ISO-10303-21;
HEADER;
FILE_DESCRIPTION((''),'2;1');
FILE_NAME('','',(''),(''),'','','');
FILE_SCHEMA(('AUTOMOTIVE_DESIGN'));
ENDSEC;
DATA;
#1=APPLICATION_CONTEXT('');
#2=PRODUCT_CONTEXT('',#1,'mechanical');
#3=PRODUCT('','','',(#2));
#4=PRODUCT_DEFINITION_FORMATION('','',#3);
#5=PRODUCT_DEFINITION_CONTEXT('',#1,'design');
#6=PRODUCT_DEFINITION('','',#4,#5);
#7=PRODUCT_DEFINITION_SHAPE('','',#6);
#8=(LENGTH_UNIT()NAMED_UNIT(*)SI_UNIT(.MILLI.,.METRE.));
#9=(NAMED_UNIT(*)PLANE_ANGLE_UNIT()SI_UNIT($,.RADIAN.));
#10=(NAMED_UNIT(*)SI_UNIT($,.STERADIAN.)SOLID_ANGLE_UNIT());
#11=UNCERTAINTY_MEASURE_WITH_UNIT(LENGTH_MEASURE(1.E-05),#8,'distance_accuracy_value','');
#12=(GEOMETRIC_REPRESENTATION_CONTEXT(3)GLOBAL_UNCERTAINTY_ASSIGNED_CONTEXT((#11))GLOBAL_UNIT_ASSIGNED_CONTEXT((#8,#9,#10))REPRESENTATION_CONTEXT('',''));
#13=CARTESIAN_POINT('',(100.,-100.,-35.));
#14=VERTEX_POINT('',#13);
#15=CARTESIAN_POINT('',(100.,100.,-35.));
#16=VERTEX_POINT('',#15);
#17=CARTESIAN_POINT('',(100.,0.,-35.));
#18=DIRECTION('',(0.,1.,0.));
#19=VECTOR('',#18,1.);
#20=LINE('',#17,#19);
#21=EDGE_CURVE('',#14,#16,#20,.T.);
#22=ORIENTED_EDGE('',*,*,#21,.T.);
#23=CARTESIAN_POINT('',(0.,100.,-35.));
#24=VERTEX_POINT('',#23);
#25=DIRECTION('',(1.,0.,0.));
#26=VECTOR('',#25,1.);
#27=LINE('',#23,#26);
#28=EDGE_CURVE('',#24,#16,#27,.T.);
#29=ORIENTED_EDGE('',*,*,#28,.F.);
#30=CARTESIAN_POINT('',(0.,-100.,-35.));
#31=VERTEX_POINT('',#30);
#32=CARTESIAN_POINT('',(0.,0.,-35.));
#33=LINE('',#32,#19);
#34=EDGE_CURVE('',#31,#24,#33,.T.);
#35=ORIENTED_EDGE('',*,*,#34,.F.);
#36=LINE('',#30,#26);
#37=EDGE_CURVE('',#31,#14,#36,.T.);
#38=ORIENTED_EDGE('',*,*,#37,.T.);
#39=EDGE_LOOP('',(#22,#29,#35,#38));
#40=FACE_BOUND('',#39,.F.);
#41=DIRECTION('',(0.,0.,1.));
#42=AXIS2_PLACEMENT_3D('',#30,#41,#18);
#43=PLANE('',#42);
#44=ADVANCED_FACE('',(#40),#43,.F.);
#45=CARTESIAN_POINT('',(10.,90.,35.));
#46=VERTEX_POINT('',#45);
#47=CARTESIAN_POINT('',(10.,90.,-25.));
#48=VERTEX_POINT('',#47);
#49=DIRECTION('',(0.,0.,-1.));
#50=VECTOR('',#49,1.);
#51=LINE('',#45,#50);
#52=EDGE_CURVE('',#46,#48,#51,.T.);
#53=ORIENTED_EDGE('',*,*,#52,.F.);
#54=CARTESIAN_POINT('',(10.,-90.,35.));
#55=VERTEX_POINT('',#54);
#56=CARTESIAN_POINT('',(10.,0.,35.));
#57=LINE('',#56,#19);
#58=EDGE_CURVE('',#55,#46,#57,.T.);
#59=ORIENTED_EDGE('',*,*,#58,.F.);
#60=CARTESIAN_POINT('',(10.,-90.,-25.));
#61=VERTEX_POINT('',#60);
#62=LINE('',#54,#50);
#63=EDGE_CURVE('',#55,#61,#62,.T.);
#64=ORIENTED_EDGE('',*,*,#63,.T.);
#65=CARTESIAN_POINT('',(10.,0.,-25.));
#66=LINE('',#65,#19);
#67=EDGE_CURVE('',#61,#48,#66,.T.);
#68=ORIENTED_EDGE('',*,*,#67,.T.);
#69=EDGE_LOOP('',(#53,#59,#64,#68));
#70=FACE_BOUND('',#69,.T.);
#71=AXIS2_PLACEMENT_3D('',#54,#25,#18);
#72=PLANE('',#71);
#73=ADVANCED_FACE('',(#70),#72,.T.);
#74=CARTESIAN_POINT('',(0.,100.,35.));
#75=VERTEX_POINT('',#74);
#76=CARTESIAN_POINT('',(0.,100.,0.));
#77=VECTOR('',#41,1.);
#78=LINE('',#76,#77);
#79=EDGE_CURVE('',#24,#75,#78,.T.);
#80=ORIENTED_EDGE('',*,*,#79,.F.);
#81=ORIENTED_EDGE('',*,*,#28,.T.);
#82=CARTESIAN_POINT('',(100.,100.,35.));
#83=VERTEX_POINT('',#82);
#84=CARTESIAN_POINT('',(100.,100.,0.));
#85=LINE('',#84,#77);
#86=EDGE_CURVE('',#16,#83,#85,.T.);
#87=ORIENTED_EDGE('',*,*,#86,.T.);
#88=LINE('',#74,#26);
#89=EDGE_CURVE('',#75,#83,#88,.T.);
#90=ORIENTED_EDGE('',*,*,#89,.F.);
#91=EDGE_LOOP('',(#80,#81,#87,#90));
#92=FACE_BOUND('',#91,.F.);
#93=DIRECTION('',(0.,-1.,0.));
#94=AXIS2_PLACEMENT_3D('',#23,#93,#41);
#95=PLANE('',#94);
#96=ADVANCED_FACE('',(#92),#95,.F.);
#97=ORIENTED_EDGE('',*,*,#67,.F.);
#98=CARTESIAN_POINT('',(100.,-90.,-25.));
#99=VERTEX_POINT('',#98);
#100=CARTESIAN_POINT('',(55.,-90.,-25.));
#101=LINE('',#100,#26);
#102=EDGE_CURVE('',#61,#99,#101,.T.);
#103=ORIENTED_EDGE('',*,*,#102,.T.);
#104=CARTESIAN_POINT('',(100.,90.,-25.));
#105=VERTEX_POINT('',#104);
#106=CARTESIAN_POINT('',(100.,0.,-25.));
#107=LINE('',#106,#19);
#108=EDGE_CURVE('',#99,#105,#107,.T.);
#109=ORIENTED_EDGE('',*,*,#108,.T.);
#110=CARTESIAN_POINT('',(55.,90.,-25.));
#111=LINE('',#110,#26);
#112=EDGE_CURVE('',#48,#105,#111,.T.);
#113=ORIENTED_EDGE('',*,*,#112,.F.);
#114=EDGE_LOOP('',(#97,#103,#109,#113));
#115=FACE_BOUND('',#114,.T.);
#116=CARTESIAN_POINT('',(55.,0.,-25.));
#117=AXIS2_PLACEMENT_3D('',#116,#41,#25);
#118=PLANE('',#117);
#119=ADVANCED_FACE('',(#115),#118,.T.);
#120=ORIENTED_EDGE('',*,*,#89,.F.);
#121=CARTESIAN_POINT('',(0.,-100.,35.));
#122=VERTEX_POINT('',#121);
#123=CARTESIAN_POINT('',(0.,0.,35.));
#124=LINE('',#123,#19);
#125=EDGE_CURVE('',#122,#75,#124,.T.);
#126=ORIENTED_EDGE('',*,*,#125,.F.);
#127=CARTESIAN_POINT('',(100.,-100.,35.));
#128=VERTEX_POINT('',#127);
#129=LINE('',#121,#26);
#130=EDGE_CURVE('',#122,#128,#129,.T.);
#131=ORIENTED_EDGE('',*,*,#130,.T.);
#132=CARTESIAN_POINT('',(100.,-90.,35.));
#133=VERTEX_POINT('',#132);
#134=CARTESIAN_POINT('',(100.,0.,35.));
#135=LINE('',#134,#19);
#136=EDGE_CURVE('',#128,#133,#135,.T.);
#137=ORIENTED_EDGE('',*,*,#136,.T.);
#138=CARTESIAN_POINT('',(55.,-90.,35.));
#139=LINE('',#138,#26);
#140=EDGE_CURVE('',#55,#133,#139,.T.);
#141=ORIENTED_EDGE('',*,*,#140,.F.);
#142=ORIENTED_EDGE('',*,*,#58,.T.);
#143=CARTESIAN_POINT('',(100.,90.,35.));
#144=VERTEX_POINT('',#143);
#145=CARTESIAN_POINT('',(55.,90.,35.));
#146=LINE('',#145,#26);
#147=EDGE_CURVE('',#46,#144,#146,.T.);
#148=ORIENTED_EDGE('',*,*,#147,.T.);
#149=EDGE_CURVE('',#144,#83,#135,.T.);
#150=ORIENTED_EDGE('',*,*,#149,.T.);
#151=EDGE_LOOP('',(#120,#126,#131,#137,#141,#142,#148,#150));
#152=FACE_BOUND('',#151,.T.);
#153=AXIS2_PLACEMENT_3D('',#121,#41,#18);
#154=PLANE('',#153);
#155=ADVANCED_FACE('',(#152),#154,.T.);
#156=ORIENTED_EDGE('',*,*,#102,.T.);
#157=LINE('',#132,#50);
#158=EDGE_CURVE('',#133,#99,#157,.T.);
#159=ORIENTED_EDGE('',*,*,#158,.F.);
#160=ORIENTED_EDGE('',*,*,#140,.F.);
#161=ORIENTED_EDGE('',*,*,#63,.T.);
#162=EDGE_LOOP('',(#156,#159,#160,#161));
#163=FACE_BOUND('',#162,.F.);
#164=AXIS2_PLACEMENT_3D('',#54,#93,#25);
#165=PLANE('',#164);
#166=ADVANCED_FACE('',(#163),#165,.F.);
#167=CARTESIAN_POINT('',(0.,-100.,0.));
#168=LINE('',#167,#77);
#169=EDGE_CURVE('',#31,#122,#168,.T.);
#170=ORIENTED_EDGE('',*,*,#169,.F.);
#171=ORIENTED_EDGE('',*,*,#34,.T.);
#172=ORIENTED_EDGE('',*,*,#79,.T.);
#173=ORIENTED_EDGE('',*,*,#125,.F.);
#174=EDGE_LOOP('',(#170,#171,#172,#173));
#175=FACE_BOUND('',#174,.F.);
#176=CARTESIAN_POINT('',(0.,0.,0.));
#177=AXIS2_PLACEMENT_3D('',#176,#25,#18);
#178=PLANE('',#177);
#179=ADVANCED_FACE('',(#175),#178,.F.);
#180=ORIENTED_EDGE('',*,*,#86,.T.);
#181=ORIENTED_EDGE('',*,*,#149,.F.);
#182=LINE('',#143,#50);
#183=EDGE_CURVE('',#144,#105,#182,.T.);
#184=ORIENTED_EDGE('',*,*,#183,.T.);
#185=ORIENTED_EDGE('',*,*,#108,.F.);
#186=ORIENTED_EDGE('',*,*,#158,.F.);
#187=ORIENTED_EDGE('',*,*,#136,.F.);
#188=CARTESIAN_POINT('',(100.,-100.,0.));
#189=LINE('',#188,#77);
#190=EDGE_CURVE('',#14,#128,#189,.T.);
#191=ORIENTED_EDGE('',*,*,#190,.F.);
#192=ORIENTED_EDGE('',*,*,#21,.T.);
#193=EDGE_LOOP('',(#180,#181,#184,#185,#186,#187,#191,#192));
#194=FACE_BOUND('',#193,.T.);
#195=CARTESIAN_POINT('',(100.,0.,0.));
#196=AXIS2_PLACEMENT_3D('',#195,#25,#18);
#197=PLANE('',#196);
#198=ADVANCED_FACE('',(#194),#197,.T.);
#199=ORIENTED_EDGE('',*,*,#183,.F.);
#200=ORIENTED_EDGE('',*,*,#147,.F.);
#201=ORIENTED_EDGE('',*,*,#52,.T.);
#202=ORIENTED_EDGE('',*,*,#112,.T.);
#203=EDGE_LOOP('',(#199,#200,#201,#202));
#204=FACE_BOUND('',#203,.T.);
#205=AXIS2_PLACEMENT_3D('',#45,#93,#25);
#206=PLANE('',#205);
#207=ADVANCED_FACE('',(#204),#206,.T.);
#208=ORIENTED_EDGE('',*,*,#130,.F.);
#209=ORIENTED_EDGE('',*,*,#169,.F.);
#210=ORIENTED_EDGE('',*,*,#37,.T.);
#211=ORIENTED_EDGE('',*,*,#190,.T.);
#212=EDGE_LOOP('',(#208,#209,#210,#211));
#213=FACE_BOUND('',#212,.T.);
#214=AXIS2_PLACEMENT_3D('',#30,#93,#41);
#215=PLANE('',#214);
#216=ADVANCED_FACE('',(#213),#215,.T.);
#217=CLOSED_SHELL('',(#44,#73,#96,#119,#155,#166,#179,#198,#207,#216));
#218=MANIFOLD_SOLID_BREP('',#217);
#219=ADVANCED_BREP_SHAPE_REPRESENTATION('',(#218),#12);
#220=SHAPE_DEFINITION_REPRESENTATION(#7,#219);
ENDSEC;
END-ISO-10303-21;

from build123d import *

# Parameters (mm, degrees)
F0_W     = 200
F0_H     = 70
F1_DEPTH = 100
F2_W     = 90
F2_H     = 180
F3_DEPTH = 60


with BuildPart() as f1:
    # F0 (on Right) → F1 (new body)
    with BuildSketch(Plane.YZ):
        Rectangle(F0_W, F0_H)
    extrude(amount=F1_DEPTH)

    # F2 (on face) → F3 (cut)
    with BuildSketch(Plane.XY.offset(35)):
        with Locations((55, 0)):
            Rectangle(F2_W, F2_H)
    extrude(amount=-F3_DEPTH, mode=Mode.SUBTRACT)


solid = f1.part
